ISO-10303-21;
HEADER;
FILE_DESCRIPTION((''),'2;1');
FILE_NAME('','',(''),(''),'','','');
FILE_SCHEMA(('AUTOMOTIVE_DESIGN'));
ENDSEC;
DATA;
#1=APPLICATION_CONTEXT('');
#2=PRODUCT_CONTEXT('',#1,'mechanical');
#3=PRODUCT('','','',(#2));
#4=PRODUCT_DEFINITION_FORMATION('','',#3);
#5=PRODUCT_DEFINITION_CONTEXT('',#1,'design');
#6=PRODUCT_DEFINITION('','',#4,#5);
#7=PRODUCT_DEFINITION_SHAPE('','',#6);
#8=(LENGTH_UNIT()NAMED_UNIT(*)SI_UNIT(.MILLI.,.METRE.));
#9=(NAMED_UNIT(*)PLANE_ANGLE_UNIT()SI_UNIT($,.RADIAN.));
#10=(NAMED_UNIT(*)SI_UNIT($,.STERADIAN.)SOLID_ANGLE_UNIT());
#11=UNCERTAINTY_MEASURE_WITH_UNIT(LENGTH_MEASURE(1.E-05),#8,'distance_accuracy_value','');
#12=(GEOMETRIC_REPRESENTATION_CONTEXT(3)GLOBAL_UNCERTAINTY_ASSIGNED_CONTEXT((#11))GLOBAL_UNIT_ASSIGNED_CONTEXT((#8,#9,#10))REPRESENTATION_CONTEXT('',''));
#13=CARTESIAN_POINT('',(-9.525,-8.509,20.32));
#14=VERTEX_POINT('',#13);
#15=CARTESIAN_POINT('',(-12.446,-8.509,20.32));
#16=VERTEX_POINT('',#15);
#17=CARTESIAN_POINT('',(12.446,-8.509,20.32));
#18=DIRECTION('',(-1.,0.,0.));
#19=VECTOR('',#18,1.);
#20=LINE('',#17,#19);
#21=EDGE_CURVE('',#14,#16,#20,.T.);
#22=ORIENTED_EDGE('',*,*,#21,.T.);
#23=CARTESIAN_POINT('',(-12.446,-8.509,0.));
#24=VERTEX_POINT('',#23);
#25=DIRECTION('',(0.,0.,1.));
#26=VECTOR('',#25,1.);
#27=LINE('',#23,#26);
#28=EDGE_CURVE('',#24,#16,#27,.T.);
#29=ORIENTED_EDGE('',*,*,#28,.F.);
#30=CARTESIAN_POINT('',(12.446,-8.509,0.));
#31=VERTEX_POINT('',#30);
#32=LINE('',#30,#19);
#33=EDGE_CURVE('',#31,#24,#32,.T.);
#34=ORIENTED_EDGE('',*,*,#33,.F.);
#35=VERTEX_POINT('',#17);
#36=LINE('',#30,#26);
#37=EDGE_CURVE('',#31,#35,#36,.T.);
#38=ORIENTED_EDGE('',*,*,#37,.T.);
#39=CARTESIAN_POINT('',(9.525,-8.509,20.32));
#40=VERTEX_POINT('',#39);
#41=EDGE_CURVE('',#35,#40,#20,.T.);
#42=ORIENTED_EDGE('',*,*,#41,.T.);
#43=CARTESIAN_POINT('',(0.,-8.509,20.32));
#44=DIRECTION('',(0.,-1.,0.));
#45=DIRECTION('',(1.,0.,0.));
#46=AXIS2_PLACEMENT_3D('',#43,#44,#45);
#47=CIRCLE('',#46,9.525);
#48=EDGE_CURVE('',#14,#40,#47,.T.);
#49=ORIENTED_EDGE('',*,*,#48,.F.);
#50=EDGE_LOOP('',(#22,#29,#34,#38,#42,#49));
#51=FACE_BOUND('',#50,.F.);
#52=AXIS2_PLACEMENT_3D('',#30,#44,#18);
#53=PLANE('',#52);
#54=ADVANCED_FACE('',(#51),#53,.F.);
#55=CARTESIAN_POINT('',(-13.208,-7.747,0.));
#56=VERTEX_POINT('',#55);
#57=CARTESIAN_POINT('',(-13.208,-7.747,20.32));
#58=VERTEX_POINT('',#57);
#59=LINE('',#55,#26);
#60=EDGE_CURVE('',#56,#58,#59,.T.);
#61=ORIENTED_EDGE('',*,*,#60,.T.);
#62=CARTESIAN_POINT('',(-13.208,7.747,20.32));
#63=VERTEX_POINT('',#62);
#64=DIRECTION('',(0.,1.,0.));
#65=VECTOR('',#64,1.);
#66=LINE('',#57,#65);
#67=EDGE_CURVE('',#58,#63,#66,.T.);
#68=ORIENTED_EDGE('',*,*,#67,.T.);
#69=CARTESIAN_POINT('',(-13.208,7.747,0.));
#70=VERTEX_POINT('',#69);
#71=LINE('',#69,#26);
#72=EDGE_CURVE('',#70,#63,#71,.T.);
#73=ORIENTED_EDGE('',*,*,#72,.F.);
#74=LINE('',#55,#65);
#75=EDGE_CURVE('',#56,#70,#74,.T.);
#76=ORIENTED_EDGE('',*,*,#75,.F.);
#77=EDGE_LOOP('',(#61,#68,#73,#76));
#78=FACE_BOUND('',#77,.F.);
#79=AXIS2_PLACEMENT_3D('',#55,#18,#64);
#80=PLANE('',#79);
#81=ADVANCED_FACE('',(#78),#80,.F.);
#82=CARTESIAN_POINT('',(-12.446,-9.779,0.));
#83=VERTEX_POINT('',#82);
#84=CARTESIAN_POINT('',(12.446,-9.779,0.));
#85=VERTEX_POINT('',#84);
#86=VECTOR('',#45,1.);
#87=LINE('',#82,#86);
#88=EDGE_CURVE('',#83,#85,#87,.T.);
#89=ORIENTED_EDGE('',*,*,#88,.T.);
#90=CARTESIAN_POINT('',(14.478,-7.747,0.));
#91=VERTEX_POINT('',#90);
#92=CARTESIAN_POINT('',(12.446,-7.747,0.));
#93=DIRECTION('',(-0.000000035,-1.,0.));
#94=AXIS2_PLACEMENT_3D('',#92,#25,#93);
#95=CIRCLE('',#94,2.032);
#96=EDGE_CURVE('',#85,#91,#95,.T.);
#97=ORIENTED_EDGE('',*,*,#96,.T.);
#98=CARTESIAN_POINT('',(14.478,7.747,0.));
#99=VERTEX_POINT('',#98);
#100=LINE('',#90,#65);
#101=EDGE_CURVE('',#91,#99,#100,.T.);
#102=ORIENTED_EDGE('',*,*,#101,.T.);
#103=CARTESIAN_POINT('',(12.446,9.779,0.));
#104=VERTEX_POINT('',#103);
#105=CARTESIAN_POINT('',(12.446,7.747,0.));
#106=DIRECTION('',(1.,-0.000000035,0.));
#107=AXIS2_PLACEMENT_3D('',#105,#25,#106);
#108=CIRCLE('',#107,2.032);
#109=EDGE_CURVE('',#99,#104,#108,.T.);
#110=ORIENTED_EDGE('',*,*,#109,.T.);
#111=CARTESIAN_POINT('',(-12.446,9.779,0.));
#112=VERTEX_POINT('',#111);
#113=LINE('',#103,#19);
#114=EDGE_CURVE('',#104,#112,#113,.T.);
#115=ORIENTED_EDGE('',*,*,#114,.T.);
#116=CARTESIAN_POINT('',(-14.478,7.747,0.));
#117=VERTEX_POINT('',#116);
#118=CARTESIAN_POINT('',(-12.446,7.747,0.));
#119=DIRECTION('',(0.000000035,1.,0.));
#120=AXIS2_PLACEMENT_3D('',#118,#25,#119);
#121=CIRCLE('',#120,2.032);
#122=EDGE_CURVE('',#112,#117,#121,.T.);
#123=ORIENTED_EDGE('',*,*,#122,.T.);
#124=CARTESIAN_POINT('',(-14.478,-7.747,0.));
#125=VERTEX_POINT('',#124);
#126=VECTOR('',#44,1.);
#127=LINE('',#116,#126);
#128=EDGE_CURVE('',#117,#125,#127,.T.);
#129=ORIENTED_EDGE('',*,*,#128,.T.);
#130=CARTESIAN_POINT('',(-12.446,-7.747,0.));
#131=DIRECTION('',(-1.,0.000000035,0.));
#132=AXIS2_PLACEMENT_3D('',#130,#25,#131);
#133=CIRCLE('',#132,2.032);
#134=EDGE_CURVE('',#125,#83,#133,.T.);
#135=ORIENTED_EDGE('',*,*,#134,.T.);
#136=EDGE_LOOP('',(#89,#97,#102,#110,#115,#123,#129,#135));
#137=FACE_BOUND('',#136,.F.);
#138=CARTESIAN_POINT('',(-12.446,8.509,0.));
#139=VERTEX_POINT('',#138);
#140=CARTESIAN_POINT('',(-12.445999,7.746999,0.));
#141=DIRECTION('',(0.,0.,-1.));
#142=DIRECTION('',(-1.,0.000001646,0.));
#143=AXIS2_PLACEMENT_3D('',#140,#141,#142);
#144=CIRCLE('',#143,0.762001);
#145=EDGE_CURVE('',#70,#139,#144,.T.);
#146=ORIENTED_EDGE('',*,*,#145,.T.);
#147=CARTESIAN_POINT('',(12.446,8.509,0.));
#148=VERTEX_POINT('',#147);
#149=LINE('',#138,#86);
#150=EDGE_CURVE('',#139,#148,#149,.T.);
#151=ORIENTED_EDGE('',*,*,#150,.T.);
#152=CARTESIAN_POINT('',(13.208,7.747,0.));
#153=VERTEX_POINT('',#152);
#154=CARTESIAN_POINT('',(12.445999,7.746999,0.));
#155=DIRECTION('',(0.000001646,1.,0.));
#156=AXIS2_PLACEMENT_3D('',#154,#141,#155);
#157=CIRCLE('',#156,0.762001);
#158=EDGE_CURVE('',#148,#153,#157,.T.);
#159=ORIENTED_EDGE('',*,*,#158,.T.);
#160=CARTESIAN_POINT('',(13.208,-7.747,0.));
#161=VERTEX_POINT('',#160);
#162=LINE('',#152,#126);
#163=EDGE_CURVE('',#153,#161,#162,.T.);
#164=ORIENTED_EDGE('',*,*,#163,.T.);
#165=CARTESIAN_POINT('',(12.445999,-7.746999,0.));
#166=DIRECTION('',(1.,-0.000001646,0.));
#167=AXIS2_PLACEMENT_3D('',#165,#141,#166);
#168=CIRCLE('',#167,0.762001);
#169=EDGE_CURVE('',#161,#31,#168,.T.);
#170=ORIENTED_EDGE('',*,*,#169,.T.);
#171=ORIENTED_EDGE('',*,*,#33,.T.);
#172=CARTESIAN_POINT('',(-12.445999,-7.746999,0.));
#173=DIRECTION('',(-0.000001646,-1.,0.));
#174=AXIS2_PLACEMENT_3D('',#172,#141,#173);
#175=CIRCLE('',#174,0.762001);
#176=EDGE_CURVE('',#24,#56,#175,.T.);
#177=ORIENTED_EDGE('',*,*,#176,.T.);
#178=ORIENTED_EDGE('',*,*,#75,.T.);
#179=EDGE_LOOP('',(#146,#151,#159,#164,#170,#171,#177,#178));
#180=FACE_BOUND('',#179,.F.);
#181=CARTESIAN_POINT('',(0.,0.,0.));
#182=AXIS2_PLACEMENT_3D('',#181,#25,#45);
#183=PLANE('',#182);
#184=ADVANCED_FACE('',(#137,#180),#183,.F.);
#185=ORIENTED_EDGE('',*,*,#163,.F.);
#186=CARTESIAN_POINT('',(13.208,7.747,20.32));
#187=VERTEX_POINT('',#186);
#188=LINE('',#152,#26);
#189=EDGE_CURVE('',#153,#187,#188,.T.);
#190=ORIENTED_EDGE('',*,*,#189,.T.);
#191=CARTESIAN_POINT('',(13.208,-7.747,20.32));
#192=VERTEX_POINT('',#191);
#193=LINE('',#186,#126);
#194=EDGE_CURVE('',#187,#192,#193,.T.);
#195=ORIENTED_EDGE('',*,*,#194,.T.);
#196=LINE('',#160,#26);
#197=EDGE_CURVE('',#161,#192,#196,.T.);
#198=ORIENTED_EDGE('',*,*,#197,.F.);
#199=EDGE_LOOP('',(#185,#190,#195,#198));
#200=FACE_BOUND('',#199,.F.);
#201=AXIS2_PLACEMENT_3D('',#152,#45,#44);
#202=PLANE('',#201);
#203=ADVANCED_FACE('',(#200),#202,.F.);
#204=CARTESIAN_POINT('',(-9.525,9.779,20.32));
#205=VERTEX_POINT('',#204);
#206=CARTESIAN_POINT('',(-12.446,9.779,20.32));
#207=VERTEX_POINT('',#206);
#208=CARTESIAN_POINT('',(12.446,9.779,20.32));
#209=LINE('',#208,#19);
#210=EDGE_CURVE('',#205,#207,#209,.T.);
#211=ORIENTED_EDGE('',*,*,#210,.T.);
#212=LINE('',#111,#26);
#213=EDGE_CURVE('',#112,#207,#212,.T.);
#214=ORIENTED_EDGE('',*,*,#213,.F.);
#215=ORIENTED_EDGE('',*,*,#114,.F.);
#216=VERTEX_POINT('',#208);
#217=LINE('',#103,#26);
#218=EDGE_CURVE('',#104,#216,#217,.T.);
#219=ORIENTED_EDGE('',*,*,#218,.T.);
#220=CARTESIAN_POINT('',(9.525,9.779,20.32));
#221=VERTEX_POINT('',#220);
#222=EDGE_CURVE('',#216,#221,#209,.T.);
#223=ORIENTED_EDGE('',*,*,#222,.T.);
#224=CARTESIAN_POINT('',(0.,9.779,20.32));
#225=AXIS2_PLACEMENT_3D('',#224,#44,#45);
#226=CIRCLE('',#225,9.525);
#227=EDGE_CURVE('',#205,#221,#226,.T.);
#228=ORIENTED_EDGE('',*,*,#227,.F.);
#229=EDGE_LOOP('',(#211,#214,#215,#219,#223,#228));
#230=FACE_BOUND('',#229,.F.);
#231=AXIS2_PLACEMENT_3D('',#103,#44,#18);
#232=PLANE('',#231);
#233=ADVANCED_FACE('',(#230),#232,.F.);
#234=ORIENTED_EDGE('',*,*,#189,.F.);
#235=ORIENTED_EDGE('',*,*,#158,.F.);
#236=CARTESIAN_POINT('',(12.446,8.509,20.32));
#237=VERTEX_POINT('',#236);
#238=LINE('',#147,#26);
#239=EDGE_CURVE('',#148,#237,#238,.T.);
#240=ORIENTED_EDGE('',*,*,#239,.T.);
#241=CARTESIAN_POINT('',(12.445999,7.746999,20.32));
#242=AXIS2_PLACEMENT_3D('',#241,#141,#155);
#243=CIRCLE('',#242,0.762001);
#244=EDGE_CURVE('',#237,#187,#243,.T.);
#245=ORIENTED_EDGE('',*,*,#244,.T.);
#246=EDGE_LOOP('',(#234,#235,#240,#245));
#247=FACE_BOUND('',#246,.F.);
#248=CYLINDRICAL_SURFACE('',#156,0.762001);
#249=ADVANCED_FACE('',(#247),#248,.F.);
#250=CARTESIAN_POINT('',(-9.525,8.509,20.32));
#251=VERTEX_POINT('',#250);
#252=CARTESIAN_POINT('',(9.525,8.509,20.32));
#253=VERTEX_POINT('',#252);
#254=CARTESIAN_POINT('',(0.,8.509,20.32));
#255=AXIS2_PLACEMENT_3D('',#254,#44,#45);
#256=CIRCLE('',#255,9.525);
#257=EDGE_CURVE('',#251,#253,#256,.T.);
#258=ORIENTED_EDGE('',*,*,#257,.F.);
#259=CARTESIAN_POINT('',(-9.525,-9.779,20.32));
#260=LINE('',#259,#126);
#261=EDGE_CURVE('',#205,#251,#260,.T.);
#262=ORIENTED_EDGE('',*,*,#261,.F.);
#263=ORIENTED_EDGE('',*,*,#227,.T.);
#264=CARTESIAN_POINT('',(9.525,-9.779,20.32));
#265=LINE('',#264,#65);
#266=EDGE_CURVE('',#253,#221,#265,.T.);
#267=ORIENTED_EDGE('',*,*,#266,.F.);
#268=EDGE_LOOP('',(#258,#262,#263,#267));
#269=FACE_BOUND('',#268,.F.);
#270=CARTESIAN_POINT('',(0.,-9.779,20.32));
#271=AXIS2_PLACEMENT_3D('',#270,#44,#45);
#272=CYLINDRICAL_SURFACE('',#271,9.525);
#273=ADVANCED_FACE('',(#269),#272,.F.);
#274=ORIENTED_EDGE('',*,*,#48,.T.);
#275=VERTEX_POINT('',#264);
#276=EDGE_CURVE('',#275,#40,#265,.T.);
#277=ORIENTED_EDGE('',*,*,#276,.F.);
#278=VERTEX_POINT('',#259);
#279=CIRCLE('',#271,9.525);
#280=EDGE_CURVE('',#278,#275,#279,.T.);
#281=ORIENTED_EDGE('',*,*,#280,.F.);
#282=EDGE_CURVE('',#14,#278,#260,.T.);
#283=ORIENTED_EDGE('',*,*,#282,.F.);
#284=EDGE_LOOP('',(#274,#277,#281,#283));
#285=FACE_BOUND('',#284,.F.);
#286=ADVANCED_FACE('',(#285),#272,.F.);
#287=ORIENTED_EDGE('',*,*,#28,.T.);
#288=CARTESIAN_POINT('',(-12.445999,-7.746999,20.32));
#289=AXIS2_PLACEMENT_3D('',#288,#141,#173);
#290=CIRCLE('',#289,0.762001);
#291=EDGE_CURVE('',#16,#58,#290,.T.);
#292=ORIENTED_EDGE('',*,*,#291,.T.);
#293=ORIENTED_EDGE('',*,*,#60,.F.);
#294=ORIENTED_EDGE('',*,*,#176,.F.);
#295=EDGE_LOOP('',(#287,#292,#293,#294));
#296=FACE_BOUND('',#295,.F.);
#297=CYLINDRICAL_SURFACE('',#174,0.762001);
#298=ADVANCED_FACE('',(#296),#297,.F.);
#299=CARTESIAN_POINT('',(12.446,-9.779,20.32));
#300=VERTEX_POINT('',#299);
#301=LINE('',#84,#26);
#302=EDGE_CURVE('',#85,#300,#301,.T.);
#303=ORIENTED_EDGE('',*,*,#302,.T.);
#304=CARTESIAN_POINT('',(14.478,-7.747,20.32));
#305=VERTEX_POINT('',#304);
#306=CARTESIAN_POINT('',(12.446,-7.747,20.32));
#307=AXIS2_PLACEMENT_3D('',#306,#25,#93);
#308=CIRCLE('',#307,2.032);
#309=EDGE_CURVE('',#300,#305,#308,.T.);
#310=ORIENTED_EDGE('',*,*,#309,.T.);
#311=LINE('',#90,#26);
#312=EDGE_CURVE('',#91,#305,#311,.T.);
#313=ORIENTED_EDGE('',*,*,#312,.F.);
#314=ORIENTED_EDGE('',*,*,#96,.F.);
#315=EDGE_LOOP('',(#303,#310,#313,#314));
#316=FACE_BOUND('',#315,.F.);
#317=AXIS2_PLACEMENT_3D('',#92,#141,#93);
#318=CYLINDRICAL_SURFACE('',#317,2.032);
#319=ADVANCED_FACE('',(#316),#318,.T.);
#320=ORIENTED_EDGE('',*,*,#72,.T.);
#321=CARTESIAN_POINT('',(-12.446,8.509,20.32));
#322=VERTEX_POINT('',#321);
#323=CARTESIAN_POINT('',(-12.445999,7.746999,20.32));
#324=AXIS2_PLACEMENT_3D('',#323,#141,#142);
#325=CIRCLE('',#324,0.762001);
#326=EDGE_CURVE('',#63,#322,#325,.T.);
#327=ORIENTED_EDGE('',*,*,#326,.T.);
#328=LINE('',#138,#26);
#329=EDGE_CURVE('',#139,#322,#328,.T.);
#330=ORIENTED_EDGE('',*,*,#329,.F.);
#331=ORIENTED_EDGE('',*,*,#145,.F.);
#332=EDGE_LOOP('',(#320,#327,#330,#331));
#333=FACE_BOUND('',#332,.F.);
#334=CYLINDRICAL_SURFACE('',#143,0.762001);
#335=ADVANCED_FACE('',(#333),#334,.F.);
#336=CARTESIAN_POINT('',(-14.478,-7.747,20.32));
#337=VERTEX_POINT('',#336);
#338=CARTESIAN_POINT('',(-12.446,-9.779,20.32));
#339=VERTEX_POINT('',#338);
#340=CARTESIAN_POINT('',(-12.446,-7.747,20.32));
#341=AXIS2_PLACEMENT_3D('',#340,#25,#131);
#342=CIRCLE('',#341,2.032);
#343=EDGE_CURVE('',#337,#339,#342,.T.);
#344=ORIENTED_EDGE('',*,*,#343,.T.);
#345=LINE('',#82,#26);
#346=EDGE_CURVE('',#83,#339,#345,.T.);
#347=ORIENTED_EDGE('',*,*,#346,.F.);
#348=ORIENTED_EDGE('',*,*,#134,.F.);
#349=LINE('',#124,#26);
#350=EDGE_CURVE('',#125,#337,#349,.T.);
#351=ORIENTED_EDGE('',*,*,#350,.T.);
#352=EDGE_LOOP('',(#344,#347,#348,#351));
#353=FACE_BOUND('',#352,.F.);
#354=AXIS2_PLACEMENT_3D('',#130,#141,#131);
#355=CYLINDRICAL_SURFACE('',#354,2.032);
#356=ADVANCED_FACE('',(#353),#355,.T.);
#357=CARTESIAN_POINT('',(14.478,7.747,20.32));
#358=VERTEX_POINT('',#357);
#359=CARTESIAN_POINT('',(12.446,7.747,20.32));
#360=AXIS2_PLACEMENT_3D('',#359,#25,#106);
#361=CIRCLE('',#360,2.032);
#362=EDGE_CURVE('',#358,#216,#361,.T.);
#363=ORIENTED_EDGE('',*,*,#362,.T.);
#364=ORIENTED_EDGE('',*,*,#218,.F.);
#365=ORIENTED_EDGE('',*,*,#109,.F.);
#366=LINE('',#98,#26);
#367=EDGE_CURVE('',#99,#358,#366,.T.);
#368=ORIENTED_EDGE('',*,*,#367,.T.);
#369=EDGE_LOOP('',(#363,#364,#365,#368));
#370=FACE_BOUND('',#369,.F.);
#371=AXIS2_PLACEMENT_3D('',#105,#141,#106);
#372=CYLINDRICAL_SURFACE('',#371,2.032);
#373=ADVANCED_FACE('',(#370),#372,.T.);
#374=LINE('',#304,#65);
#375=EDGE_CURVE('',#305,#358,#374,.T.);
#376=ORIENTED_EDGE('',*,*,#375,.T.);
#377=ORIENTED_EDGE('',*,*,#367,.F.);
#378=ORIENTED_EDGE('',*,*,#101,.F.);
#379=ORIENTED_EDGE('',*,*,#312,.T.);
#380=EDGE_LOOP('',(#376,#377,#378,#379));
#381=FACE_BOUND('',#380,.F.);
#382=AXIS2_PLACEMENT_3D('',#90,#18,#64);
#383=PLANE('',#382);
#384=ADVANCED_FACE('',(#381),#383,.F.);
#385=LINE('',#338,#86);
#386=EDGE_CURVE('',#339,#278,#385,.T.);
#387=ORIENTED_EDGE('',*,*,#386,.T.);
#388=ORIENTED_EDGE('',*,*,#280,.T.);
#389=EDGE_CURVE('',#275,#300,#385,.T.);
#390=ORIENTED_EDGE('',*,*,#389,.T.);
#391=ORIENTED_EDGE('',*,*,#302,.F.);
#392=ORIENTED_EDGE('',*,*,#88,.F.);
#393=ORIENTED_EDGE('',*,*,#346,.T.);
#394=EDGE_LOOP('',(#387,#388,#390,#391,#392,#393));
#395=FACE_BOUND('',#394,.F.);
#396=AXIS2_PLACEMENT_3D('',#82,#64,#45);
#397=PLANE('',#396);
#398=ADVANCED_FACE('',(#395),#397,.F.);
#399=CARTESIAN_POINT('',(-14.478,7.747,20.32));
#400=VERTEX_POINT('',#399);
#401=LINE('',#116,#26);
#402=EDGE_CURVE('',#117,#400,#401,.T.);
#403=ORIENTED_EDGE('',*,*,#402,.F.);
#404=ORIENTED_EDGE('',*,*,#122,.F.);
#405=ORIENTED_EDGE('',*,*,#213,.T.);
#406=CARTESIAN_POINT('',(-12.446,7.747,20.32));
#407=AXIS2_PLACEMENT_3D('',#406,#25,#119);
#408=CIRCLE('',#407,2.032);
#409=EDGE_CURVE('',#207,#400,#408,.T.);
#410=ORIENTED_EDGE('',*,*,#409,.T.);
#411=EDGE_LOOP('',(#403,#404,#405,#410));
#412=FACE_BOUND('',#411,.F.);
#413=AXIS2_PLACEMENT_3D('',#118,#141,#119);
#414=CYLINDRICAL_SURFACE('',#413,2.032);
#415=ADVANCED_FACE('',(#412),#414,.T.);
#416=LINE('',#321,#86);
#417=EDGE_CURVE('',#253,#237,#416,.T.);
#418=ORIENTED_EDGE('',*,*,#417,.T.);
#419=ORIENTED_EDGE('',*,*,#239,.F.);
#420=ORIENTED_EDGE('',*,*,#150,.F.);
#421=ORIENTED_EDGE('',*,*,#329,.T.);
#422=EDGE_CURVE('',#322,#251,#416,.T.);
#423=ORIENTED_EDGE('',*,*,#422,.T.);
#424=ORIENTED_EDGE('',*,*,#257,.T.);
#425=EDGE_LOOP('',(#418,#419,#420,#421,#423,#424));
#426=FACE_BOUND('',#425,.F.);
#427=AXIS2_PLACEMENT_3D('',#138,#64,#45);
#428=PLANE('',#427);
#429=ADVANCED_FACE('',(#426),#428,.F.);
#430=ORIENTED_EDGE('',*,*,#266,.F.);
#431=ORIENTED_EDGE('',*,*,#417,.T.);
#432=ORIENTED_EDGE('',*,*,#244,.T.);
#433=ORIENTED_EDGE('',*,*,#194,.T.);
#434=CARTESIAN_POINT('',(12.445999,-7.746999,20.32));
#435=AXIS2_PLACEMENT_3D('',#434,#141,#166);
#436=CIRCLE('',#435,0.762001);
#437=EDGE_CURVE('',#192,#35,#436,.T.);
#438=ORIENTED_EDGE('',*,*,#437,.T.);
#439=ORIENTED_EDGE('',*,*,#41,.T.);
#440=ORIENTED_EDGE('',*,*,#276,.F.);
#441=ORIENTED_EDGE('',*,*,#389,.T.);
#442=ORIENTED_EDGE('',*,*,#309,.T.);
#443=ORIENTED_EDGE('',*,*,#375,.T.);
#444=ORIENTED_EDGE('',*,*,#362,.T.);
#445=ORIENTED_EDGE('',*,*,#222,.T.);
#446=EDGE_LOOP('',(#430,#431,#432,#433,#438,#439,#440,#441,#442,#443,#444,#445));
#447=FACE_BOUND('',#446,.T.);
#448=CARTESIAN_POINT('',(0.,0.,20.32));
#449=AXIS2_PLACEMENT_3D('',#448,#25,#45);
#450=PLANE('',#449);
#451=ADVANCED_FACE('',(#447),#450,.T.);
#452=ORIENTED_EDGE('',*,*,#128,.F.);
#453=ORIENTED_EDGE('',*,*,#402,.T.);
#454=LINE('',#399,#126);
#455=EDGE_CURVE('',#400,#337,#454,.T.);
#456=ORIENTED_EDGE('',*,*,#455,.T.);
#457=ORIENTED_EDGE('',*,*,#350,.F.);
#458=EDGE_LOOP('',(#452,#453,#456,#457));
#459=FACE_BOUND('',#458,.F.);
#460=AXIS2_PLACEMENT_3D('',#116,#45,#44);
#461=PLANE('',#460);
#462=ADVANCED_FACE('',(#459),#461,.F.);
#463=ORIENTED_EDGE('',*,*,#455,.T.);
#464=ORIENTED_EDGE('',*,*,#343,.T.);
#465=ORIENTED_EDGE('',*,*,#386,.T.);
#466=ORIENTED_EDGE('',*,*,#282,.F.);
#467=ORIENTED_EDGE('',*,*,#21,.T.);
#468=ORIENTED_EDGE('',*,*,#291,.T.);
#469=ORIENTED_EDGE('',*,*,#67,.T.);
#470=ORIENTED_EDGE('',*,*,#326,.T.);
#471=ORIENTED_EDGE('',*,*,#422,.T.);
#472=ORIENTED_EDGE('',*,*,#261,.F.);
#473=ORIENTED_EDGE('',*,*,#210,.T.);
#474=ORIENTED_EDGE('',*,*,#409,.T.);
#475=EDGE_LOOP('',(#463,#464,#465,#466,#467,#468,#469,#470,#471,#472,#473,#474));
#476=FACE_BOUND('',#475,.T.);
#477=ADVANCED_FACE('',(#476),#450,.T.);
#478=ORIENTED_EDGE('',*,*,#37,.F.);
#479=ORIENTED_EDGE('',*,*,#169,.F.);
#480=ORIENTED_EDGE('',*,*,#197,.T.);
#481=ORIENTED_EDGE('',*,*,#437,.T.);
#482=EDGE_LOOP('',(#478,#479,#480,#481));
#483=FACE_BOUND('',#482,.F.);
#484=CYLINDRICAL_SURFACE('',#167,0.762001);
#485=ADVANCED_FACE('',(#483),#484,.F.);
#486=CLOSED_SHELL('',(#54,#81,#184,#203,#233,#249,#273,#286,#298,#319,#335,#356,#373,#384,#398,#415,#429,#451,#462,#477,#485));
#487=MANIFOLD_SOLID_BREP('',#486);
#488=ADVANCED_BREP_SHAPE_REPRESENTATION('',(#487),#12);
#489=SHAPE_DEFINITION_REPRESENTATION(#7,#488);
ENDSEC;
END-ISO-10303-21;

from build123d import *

# Parameters (mm, degrees)
F1_DEPTH = 20.32
F2_R     = 9.525
F3_DEPTH = 19.559


with BuildPart() as f1:
    # F0 (on Top) → F1 (new body)
    with BuildSketch(Plane.XY):
        with BuildLine():
            ThreePointArc((14.478, 7.747), (13.882841, 9.183841), (12.446, 9.779))
            Line((12.446, 9.779), (-12.446, 9.779))
            ThreePointArc((-12.446, 9.779), (-13.882841, 9.183841), (-14.478, 7.747))
            Line((-14.478, 7.747), (-14.478, -7.747))
            ThreePointArc((-14.478, -7.747), (-13.882841, -9.183841), (-12.446, -9.779))
            Line((-12.446, -9.779), (12.446, -9.779))
            ThreePointArc((12.446, -9.779), (13.882841, -9.183841), (14.478, -7.747))
            Line((14.478, -7.747), (14.478, 7.747))
        make_face()
        with BuildLine():
            Line((-12.446, 8.509), (12.446, 8.509))
            ThreePointArc((12.446, 8.509), (12.984815, 8.285815), (13.208, 7.747))
            Line((13.208, 7.747), (13.208, -7.747))
            ThreePointArc((13.208, -7.747), (12.984815, -8.285815), (12.446, -8.509))
            Line((12.446, -8.509), (-12.446, -8.509))
            ThreePointArc((-12.446, -8.509), (-12.984815, -8.285815), (-13.208, -7.747))
            Line((-13.208, -7.747), (-13.208, 7.747))
            ThreePointArc((-13.208, 7.747), (-12.984815, 8.285815), (-12.446, 8.509))
        make_face(mode=Mode.SUBTRACT)
    extrude(amount=F1_DEPTH)

    # F2 (on face) → F3 (cut, through all)
    with BuildSketch(Plane.XZ.offset(9.779)):
        with Locations((0, 20.32)):
            Circle(F2_R)
    extrude(amount=-F3_DEPTH, mode=Mode.SUBTRACT)


solid = f1.part
